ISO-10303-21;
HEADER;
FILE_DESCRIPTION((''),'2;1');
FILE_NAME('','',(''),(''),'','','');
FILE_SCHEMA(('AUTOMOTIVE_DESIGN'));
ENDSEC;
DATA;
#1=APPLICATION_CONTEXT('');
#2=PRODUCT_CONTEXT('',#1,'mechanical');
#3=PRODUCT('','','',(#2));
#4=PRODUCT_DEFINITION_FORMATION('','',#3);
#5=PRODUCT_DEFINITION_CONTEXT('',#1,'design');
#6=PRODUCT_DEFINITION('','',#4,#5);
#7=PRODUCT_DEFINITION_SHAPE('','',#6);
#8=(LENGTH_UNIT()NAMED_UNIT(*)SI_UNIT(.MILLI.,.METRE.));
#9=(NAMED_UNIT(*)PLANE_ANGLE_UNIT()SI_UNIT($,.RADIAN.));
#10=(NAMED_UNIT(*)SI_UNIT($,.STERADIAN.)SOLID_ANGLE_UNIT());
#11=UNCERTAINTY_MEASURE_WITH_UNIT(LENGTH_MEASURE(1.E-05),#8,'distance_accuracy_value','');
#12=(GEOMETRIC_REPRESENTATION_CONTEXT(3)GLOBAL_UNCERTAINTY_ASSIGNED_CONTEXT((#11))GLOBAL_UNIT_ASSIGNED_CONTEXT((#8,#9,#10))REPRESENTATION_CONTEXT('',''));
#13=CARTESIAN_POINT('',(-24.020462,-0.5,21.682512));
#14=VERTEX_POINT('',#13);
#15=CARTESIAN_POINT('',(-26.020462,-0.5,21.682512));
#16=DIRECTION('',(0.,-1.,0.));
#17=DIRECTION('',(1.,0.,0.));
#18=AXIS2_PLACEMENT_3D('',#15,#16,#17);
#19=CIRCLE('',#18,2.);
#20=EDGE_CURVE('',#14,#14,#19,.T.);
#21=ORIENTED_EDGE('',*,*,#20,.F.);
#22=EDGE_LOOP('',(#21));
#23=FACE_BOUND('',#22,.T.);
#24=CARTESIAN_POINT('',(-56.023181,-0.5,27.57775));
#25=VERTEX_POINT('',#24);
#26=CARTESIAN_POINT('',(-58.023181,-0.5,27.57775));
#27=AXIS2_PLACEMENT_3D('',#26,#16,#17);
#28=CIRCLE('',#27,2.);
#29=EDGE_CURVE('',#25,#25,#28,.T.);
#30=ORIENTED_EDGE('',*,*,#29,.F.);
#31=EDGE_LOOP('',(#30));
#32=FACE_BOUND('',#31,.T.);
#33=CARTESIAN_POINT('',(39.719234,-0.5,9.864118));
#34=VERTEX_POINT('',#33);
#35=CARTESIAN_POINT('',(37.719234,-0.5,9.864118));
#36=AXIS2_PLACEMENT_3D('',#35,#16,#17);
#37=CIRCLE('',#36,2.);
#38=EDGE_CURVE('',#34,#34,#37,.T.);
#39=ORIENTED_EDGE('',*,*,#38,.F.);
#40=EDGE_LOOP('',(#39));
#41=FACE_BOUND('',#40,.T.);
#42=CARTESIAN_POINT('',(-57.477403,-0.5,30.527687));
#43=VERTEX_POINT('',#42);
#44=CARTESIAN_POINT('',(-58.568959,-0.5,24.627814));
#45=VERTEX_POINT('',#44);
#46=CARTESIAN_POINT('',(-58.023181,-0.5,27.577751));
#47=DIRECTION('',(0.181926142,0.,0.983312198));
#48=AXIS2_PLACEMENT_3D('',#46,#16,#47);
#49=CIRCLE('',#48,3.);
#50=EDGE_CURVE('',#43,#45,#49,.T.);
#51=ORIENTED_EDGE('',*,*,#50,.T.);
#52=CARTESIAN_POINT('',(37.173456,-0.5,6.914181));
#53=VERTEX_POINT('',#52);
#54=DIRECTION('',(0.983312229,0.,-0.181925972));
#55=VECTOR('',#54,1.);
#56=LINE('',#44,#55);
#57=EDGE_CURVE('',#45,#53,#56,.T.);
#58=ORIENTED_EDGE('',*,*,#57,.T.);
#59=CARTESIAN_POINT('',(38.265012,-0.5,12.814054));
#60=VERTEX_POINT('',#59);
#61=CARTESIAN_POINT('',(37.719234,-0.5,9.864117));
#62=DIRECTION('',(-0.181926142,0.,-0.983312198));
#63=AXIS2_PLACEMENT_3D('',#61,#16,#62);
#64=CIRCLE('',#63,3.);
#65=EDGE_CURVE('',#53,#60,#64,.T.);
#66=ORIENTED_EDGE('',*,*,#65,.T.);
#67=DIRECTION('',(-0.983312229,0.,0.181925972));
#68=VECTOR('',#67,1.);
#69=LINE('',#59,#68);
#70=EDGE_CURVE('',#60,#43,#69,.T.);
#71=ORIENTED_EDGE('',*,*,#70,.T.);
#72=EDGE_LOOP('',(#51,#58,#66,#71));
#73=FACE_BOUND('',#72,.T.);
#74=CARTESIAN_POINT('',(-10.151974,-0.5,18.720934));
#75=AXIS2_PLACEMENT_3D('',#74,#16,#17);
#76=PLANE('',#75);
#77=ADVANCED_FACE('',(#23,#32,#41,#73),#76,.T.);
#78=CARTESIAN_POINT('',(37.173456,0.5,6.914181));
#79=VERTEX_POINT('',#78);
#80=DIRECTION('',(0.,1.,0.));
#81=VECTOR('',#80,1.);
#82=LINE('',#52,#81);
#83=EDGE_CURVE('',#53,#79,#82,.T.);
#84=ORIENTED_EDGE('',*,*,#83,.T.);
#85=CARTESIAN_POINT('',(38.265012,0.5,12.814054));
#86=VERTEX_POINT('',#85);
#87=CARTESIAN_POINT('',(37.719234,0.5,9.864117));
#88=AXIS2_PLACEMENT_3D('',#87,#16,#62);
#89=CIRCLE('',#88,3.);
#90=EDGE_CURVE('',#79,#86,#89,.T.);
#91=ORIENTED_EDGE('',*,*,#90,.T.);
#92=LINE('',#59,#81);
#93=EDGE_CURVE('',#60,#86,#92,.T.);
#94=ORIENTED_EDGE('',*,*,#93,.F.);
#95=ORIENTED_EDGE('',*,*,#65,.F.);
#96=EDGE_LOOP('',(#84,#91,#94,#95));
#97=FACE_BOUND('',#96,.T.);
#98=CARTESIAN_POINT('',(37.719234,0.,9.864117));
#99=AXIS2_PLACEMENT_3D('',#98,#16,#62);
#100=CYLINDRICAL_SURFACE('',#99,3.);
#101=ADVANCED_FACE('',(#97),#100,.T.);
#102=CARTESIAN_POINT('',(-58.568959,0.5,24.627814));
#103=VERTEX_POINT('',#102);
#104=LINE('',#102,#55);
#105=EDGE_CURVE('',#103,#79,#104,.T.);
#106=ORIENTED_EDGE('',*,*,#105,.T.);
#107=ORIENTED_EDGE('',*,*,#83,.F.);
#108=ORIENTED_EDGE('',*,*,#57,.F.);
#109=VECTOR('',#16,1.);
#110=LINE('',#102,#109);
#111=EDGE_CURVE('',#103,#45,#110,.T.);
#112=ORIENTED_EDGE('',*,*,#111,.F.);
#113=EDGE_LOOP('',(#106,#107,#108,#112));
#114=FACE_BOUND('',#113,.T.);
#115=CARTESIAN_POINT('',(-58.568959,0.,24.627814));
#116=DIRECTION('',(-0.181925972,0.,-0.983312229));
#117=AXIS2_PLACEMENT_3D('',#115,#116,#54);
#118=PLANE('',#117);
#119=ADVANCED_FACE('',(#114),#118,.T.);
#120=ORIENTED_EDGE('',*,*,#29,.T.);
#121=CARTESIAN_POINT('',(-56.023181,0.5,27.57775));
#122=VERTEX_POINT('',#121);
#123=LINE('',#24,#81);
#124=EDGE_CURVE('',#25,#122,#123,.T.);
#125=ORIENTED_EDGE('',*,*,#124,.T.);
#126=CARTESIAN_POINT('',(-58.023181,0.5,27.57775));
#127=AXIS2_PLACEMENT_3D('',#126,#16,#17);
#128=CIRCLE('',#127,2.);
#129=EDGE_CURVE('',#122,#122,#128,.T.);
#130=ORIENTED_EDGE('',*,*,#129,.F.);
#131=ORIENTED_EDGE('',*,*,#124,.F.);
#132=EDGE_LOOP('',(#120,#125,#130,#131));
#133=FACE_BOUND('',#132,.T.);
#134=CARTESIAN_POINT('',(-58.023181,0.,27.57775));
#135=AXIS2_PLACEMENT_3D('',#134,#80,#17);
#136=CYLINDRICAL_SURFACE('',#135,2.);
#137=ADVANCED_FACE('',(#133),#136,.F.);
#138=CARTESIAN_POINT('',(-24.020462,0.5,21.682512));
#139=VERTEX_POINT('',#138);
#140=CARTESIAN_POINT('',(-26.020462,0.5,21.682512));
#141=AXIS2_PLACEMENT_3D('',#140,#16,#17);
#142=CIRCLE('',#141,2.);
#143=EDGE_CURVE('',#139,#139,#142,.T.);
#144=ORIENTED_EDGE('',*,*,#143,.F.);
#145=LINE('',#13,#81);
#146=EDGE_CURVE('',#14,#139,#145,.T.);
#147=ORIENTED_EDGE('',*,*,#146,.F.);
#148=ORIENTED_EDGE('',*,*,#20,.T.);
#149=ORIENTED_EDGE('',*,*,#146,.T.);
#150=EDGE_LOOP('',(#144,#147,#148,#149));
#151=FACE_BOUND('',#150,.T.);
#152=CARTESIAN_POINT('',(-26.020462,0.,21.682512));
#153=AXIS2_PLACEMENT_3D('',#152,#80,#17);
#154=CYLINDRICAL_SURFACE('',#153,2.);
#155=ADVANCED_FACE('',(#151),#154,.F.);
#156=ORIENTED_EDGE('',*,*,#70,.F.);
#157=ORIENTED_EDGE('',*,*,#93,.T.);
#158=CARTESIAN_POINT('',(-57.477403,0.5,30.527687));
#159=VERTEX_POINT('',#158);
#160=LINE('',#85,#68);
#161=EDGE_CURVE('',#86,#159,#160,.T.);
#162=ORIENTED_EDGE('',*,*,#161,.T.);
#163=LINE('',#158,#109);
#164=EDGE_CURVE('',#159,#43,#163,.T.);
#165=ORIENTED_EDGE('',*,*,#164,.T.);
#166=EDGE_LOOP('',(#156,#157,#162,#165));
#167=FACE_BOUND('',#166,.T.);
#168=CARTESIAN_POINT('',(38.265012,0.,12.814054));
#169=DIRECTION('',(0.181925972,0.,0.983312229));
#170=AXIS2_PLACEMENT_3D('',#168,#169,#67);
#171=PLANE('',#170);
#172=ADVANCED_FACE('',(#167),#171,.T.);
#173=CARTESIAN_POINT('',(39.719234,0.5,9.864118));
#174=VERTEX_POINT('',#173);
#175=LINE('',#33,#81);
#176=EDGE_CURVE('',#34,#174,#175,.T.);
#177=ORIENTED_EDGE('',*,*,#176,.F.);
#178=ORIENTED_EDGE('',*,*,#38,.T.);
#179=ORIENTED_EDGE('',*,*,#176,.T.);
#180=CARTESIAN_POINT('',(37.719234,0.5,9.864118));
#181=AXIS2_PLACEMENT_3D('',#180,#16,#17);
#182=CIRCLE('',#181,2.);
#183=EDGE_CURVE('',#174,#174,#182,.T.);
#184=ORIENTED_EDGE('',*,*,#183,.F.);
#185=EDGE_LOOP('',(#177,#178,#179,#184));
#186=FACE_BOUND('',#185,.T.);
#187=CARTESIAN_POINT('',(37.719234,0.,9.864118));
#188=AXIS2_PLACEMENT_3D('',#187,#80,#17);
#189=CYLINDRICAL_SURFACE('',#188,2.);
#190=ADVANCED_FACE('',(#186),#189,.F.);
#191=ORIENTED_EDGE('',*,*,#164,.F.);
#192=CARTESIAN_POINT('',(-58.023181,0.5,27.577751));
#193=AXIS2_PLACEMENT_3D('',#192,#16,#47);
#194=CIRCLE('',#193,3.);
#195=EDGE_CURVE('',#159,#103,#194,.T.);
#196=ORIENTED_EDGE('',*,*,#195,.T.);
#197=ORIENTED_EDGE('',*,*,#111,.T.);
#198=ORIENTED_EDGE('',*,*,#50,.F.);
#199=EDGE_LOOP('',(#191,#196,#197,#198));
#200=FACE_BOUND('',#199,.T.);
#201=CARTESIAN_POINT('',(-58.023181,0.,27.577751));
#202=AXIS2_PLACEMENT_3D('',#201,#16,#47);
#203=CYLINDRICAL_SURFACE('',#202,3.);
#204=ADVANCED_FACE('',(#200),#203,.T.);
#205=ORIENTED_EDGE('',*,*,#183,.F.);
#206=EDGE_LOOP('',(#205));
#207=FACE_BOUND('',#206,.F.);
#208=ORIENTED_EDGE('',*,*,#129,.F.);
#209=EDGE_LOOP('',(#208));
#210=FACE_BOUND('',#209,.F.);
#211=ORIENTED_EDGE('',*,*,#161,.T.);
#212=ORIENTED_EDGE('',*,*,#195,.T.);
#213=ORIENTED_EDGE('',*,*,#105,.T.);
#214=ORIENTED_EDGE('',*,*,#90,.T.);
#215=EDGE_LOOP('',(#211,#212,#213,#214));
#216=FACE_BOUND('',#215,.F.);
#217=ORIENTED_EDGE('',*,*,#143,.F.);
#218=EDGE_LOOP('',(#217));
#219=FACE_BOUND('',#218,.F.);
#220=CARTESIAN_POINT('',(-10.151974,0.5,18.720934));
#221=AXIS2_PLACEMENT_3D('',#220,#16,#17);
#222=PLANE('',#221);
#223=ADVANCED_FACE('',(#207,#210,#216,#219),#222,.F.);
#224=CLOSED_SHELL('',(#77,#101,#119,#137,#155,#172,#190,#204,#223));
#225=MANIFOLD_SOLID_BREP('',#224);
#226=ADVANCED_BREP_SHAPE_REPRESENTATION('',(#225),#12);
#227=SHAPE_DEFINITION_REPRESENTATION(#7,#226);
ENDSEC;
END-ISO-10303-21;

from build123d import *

# Parameters (mm, degrees)
F0_R     = 2
F1_DEPTH = 0.5


with BuildPart() as f1:
    # F0 (on Front) → F1 (new body, symmetric)
    with BuildSketch(Plane.XZ):
        with BuildLine():
            Line((38.265012, 12.814054), (-57.477403, 30.527687))
            ThreePointArc((-57.477403, 30.527687), (-60.973118, 28.123528), (-58.568959, 24.627814))
            Line((-58.568959, 24.627814), (37.173456, 6.914181))
            ThreePointArc((37.173456, 6.914181), (40.669171, 9.31834), (38.265012, 12.814054))
        make_face()
        with Locations((37.719234, 9.864118)):
            Circle(F0_R, mode=Mode.SUBTRACT)
        with Locations((-26.020462, 21.682512)):
            Circle(F0_R, mode=Mode.SUBTRACT)
        with Locations((-58.023181, 27.57775)):
            Circle(F0_R, mode=Mode.SUBTRACT)
    extrude(amount=F1_DEPTH, both=True)


solid = f1.part
